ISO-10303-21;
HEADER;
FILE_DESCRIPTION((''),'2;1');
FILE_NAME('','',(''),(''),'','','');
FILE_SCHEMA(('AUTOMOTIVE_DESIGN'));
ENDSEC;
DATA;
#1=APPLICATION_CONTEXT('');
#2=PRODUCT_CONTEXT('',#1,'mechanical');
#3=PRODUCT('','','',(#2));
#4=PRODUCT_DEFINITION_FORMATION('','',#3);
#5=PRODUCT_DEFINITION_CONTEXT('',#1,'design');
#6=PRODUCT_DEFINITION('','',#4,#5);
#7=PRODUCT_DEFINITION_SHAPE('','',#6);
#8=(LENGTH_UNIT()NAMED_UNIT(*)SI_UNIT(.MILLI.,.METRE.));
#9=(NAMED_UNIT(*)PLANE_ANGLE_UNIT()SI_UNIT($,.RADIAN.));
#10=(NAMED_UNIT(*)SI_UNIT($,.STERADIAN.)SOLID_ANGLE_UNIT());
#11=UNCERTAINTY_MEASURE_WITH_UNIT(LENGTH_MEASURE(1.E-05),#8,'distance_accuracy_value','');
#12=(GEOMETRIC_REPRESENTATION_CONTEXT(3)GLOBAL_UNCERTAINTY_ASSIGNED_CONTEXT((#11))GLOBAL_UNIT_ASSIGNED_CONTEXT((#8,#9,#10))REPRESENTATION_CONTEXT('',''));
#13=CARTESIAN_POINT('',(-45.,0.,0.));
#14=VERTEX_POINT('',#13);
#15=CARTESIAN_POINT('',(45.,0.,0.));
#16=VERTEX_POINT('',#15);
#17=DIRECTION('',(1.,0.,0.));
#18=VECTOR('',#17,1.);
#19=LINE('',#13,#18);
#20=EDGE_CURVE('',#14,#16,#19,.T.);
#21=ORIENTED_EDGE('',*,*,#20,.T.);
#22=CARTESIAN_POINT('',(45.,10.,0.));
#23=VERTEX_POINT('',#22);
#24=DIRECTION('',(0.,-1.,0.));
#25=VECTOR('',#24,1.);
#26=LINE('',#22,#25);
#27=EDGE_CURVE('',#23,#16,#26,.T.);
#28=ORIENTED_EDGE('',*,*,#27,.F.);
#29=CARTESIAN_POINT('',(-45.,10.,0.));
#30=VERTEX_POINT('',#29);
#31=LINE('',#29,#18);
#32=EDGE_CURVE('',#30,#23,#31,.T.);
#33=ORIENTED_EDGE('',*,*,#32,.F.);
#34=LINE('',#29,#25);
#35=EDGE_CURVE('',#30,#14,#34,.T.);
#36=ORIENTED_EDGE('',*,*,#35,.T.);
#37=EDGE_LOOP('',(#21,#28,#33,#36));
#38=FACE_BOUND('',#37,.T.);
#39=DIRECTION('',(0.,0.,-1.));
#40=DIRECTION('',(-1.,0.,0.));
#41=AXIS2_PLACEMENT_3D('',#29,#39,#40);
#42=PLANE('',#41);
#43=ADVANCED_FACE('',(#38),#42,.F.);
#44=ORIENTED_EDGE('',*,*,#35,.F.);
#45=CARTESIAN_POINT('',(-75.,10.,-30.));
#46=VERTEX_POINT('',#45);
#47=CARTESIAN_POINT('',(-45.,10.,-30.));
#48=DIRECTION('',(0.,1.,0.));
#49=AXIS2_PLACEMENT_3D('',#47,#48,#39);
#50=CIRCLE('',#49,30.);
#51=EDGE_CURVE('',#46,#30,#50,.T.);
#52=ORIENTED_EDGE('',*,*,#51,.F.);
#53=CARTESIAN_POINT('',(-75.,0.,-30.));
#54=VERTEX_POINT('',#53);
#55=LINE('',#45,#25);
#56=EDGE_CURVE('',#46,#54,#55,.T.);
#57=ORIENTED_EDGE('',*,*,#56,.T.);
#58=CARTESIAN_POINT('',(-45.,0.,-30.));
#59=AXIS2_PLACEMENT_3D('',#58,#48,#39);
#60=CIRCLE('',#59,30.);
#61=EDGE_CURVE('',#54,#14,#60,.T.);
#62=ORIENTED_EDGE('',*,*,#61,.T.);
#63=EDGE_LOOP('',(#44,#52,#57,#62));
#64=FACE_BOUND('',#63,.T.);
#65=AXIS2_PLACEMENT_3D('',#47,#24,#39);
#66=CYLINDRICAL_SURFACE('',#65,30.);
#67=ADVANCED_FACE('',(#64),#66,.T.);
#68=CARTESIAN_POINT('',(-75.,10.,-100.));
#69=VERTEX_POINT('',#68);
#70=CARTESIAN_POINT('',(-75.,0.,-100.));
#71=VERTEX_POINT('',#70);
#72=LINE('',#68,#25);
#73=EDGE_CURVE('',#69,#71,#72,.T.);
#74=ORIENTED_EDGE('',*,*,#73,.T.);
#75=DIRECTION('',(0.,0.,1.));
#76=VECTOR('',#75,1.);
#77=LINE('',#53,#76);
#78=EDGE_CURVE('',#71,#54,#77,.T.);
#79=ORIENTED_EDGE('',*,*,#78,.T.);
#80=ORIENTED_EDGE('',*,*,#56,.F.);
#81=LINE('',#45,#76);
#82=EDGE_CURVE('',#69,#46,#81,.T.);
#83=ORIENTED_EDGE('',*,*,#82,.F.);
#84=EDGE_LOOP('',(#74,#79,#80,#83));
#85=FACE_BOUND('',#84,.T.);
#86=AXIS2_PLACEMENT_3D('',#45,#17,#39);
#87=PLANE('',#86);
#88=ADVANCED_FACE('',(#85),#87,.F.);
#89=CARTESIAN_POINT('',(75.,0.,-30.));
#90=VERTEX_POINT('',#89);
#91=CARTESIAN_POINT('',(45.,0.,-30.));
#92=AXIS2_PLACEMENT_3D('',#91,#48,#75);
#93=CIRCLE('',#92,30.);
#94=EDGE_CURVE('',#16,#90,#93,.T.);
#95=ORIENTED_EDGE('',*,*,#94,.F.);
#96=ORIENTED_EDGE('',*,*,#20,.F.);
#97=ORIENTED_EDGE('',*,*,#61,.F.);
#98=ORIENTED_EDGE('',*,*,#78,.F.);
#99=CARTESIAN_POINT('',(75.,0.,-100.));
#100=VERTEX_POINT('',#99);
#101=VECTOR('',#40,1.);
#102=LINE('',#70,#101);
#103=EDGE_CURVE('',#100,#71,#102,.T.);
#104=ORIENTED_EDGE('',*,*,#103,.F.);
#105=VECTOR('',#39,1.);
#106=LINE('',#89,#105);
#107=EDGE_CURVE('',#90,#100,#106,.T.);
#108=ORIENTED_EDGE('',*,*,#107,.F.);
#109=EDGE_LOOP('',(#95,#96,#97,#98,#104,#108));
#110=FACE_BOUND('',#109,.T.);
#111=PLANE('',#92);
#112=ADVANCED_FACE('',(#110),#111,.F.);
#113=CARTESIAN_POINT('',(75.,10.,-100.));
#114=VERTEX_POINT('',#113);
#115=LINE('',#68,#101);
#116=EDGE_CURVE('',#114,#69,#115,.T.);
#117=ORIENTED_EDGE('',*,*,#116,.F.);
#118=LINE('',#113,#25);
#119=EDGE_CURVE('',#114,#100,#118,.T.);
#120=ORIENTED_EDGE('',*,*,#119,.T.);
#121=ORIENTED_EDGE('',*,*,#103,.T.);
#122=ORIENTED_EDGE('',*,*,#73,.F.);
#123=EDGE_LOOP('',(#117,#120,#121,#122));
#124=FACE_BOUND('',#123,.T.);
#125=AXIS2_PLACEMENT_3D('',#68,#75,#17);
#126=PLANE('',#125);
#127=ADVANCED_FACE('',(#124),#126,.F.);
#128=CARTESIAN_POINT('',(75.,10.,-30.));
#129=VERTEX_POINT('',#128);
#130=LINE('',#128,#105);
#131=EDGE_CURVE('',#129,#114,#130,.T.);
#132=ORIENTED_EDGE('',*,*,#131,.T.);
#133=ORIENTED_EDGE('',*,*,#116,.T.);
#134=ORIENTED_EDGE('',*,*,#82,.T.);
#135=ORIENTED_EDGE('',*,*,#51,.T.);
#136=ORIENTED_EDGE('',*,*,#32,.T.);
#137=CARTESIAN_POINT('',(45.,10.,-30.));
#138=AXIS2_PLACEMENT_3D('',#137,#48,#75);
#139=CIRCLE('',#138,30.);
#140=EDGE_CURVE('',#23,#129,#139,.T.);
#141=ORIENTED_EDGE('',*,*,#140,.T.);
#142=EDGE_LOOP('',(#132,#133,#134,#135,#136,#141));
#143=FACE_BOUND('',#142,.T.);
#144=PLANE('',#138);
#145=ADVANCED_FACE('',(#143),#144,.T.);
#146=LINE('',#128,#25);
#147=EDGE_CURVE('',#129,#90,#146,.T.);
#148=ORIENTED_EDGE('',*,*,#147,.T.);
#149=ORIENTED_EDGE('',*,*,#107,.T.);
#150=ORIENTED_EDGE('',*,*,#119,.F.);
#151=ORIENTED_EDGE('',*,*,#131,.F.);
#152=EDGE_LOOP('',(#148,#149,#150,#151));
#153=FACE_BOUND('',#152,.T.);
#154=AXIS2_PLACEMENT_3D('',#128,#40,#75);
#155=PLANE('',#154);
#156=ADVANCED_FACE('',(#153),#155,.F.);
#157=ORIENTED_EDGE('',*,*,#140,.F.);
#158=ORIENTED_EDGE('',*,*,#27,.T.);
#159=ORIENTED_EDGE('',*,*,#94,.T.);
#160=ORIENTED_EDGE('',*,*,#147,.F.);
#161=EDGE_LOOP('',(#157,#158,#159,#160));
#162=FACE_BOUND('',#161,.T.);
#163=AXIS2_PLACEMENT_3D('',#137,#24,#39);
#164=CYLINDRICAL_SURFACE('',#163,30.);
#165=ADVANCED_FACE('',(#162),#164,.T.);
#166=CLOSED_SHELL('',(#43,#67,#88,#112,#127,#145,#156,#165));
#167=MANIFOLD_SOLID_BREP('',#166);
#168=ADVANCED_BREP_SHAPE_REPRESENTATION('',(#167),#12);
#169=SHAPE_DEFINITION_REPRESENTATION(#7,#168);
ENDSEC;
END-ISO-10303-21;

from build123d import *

# Parameters (mm, degrees)
BOSS_EXTRUDE1_DEPTH = 10


with BuildPart() as part:
    # Sketch1 → Boss-Extrude1 (new body)
    with BuildSketch(Plane(origin=(0, 0, 0), x_dir=(1, 0, 0), z_dir=(0, 1, 0))):
        with BuildLine():
            Line((-45, 0), (45, 0))
            ThreePointArc((45, 0), (66.213203436, 8.786796564), (75, 30))
            Line((75, 30), (75, 100))
            Line((75, 100), (-75, 100))
            Line((-75, 100), (-75, 30))
            ThreePointArc((-75, 30), (-66.213203436, 8.786796564), (-45, 0))
        make_face()
    extrude(amount=BOSS_EXTRUDE1_DEPTH)


solid = part.part
